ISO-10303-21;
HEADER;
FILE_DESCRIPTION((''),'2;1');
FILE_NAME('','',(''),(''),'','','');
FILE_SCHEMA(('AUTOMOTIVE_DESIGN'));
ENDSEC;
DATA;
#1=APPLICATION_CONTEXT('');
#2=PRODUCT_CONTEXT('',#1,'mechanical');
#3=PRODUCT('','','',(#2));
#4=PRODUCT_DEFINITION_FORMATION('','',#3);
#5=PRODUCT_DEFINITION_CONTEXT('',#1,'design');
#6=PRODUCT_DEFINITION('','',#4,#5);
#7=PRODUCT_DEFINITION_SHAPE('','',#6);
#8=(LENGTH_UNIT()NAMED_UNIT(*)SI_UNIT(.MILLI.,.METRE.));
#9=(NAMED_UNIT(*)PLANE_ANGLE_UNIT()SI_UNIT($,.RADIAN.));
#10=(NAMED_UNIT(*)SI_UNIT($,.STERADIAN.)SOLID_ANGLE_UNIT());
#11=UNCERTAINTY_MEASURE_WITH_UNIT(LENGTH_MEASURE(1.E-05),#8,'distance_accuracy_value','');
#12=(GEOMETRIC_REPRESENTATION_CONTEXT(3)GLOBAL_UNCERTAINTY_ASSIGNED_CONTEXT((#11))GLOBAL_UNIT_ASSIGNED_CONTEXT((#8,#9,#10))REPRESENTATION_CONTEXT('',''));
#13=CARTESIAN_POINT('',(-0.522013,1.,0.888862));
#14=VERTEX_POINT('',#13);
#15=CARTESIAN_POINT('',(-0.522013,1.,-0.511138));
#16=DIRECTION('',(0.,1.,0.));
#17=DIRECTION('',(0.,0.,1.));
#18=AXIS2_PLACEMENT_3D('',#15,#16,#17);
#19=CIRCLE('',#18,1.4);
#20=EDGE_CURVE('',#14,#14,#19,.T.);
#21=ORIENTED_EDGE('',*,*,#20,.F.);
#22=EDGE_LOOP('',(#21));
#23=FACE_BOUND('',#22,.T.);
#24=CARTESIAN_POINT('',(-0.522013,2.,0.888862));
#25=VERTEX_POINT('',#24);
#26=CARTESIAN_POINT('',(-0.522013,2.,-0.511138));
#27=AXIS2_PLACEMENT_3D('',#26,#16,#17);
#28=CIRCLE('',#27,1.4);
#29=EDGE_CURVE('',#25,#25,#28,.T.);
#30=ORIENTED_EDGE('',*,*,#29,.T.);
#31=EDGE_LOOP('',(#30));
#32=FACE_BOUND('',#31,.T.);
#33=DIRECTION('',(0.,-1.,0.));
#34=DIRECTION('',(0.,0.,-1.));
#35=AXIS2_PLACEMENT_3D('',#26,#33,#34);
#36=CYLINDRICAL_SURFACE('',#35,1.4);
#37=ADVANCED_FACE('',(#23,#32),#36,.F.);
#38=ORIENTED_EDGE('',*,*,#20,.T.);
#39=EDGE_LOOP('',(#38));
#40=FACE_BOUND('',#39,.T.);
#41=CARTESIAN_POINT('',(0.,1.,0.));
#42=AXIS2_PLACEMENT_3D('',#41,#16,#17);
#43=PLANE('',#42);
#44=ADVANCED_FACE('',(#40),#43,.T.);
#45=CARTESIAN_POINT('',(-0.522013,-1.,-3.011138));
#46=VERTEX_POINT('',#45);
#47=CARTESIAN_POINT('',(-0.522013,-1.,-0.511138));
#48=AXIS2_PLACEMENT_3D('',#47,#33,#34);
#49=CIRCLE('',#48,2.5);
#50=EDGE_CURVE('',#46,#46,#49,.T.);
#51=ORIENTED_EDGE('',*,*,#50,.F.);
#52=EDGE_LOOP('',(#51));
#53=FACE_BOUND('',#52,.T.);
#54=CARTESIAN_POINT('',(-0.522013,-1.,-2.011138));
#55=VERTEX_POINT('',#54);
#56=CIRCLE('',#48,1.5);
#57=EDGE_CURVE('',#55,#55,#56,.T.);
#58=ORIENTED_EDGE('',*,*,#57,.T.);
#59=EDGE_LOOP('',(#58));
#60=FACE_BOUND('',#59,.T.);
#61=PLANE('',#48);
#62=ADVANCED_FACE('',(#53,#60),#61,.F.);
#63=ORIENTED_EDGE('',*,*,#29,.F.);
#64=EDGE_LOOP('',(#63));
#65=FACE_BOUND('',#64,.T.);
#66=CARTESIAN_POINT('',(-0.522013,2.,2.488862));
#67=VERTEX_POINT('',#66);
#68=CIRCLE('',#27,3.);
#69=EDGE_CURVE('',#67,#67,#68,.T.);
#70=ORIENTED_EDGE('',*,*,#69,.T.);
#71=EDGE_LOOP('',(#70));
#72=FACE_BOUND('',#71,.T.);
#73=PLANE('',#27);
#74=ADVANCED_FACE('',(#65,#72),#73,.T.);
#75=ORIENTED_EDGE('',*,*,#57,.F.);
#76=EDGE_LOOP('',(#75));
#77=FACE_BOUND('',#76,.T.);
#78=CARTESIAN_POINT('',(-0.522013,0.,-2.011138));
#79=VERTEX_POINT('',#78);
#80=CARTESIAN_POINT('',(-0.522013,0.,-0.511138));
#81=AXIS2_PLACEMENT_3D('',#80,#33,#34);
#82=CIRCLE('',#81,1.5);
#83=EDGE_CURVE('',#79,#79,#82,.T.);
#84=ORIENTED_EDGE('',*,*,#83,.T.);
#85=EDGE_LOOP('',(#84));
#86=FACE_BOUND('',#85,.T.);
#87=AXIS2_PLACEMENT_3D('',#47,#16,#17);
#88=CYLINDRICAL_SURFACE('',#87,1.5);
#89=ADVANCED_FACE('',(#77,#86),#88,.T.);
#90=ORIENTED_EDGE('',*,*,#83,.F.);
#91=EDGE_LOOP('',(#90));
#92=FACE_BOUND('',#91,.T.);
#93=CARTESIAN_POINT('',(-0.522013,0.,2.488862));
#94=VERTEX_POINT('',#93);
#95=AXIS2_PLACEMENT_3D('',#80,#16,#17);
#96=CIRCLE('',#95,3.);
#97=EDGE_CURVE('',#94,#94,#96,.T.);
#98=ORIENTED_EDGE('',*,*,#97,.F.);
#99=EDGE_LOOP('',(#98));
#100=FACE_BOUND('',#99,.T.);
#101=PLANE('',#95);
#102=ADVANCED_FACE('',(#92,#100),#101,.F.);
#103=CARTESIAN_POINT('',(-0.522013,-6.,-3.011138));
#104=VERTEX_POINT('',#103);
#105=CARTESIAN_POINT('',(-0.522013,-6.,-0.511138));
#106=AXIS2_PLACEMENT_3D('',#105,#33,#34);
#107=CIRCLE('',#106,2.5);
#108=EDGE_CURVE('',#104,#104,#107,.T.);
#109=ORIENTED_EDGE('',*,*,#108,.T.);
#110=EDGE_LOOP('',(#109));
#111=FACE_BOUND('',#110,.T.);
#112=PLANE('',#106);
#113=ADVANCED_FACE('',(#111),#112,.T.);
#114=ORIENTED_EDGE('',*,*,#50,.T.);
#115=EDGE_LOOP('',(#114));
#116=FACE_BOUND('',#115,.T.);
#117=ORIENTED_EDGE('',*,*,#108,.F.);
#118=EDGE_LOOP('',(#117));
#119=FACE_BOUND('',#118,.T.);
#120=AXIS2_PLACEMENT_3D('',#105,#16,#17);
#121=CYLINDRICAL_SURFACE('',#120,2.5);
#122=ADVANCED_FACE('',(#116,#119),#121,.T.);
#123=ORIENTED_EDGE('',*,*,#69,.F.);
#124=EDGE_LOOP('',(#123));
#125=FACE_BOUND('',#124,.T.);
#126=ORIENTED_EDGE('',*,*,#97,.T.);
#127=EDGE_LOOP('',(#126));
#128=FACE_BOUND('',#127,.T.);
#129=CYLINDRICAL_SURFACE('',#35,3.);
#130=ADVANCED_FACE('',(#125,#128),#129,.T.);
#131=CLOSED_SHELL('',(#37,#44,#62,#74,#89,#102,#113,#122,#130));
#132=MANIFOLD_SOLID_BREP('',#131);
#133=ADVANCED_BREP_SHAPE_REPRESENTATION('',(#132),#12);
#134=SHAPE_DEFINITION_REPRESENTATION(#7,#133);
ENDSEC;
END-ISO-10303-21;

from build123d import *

# Parameters (mm, degrees)
SKETCH1_R           = 3
SKETCH1_R_2         = 1.4
BOSS_EXTRUDE1_DEPTH = 2
SKETCH1_3_R         = 1.4
BOSS_EXTRUDE2_DEPTH = 1
SKETCH5_R           = 1.5
BOSS_EXTRUDE3_DEPTH = 1
SKETCH6_R           = 2.5
BOSS_EXTRUDE4_DEPTH = 5


with BuildPart() as part:
    # Sketch1 → Boss-Extrude1 (new body)
    with BuildSketch(Plane(origin=(0, 0, 0), x_dir=(1, 0, 0), z_dir=(0, 1, 0))):
        with Locations((-0.522013312, 0.511138034)):
            Circle(SKETCH1_R)
        with Locations((-0.522013312, 0.511138034)):
            Circle(SKETCH1_R_2, mode=Mode.SUBTRACT)
    extrude(amount=BOSS_EXTRUDE1_DEPTH)

    # Sketch1<3> → Boss-Extrude2 (add)
    with BuildSketch(Plane(origin=(0, 0, 0), x_dir=(1, 0, 0), z_dir=(0, 1, 0))):
        with Locations((-0.522013312, 0.511138034)):
            Circle(SKETCH1_3_R)
    extrude(amount=BOSS_EXTRUDE2_DEPTH)

    # Sketch5 → Boss-Extrude3 (add)
    with BuildSketch(Plane.XZ):
        with Locations((-0.522013312, -0.511138034)):
            Circle(SKETCH5_R)
    extrude(amount=BOSS_EXTRUDE3_DEPTH)

    # Sketch6 → Boss-Extrude4 (add)
    with BuildSketch(Plane.XZ.offset(1)):
        with Locations((-0.522013312, -0.511138034)):
            Circle(SKETCH6_R)
    extrude(amount=BOSS_EXTRUDE4_DEPTH)


solid = part.part
